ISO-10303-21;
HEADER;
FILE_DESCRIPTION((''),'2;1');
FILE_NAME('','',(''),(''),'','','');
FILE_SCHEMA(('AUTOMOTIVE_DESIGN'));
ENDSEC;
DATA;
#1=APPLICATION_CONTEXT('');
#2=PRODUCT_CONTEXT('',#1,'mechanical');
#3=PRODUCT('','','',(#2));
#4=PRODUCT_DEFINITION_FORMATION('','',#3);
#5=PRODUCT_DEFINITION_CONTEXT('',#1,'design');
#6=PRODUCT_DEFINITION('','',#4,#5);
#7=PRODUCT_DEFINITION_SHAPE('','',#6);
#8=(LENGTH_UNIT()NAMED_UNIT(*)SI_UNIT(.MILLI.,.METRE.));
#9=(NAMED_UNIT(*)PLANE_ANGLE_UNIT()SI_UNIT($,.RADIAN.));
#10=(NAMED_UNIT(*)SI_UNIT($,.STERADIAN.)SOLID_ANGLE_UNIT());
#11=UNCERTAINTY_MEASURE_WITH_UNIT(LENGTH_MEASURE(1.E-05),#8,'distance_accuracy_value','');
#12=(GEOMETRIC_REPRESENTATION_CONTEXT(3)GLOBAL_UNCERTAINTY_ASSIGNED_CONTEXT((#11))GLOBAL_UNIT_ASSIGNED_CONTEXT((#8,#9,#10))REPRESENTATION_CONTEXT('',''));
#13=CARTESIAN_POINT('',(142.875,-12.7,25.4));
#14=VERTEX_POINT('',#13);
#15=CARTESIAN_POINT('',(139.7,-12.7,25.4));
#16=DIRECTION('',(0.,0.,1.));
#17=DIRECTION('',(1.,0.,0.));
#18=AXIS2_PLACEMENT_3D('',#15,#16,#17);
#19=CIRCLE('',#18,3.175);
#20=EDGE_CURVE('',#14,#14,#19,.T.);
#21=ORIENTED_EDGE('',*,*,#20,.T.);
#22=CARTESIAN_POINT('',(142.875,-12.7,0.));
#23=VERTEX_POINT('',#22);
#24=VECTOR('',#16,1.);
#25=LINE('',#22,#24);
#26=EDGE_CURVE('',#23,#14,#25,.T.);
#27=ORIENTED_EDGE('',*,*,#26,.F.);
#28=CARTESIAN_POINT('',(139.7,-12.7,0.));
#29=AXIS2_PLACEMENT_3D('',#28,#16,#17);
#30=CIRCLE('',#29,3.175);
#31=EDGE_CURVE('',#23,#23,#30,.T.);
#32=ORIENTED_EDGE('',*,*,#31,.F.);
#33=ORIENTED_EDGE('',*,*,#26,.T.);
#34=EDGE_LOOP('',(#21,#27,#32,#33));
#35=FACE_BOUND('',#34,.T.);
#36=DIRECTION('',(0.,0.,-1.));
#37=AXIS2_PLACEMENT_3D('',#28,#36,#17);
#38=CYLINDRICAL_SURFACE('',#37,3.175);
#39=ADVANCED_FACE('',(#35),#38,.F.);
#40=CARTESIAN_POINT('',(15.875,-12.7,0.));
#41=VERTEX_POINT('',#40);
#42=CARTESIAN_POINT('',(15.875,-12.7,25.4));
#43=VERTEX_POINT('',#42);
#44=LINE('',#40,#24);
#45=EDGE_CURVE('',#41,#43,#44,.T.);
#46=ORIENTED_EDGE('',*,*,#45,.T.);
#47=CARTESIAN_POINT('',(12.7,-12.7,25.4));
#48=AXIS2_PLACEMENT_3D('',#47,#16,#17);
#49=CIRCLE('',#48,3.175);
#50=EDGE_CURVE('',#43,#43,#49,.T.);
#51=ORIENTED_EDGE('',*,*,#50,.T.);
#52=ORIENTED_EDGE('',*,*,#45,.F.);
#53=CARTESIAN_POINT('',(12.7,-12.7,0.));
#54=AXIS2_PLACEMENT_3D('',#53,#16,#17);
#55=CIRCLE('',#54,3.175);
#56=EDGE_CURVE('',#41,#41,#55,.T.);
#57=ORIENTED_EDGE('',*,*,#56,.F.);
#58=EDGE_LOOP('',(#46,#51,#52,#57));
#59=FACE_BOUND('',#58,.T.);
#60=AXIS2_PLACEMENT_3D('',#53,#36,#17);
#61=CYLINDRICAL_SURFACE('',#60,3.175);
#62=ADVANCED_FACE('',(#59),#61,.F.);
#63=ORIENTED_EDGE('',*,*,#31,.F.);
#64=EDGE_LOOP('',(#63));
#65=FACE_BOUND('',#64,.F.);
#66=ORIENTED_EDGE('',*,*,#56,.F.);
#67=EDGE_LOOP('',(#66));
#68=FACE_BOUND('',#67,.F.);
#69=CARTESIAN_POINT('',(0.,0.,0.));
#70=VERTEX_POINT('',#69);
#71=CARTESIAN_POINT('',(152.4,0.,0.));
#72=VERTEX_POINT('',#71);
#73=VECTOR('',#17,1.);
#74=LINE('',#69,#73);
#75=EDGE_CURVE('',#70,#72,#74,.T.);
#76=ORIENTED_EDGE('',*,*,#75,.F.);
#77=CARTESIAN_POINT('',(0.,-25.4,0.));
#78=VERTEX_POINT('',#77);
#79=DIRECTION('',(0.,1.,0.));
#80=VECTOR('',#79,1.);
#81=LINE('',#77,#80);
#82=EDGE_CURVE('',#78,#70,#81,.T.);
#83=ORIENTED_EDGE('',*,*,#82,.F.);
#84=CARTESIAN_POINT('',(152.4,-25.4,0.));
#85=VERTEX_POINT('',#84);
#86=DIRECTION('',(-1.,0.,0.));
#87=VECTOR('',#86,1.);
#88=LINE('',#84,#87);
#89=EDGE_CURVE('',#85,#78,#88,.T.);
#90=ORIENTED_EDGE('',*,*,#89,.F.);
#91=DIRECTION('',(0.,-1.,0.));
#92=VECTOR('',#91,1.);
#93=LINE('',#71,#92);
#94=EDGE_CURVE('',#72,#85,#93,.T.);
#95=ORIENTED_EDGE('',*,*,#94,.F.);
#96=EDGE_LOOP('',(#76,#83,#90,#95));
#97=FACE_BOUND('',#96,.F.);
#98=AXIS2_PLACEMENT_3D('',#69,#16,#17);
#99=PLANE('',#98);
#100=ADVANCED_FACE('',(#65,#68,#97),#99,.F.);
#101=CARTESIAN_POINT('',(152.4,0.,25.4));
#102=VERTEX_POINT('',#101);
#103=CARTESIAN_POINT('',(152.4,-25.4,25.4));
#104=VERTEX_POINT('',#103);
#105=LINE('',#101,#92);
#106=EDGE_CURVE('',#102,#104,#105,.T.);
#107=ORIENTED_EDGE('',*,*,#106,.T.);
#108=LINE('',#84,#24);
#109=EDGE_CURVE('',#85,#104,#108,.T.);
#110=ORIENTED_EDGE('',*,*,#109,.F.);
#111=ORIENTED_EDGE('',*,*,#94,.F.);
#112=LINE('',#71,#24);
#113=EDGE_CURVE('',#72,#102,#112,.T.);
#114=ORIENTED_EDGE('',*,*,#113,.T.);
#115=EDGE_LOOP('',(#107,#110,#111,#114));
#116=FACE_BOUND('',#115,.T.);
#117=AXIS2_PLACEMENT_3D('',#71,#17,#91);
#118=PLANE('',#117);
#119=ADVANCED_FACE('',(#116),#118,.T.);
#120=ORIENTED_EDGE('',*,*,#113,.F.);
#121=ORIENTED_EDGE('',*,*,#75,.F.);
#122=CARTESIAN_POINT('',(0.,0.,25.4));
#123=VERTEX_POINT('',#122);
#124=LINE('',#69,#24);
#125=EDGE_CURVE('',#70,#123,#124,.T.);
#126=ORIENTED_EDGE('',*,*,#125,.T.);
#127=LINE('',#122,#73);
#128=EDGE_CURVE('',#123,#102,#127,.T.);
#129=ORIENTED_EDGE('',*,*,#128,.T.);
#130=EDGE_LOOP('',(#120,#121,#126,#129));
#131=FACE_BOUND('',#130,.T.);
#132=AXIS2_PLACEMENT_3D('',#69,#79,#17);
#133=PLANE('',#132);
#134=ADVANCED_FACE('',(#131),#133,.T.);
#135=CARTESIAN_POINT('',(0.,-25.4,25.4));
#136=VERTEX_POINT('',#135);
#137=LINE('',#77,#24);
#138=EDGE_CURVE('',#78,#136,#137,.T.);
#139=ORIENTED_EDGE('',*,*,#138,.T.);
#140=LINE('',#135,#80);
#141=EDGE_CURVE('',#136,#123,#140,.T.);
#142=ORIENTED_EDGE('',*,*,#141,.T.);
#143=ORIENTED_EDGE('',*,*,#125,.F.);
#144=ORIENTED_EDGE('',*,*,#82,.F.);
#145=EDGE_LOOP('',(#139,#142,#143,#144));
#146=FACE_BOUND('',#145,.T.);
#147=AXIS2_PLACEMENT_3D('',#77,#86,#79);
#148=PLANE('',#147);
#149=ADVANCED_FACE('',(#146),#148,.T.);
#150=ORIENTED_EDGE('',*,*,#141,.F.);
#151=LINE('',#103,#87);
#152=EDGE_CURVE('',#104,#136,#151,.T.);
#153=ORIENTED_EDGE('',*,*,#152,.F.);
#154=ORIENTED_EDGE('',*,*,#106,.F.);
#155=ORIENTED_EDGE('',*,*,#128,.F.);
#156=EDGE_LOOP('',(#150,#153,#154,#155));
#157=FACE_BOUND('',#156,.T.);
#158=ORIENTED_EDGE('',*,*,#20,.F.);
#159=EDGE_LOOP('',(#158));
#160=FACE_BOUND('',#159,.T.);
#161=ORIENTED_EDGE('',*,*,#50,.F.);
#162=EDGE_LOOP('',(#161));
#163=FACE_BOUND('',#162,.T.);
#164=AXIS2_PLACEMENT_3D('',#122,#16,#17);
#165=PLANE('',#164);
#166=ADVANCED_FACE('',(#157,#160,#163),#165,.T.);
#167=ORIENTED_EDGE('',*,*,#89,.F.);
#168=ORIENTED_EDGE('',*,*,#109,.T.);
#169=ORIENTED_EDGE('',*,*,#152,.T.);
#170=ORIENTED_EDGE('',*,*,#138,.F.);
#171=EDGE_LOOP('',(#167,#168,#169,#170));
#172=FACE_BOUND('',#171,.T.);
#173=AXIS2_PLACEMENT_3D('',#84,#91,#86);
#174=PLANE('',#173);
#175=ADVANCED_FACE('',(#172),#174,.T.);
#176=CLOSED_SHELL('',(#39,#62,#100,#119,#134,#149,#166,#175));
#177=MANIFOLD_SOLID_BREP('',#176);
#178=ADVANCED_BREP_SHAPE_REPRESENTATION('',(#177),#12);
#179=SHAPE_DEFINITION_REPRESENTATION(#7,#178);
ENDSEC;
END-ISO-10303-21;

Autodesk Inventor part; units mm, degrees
ref_plane "YZ Plane" through (0, 0, 0) normal (1, 0, 0) x (0, 1, 0)
ref_plane "XZ Plane" through (0, 0, 0) normal (0, 1, 0) x (-1, 0, 0)
ref_plane "XY Plane" through (0, 0, 0) normal (0, 0, 1) x (1, 0, 0)
sketch "Sketch1" plane through (0, 0, 0) normal (0, 0, 1) x (1, 0, 0)
  line L0 (0, 0) -> (152.4, 0)
  line L1 (152.4, 0) -> (152.4, -25.4)
  line L2 (152.4, -25.4) -> (0, -25.4)
  line L3 (0, -25.4) -> (0, 0)
  circle A0 centre (139.7, -12.7) radius 3.175
  circle A1 centre (12.7, -12.7) radius 3.175
  dimension "d0" = 25.4
  dimension "d1" = 152.4
  dimension "d2" = 6.35
  dimension "d3" = 6.35
  dimension "d4" = 12.7
  dimension "d5" = 12.7
  dimension "d6" = 12.7
  dimension "d7" = 12.7
extrude "Extrusion1" add sketch "Sketch1" along normal blind 25.4
properties part number "ExtensionTowerFor4-bar"
